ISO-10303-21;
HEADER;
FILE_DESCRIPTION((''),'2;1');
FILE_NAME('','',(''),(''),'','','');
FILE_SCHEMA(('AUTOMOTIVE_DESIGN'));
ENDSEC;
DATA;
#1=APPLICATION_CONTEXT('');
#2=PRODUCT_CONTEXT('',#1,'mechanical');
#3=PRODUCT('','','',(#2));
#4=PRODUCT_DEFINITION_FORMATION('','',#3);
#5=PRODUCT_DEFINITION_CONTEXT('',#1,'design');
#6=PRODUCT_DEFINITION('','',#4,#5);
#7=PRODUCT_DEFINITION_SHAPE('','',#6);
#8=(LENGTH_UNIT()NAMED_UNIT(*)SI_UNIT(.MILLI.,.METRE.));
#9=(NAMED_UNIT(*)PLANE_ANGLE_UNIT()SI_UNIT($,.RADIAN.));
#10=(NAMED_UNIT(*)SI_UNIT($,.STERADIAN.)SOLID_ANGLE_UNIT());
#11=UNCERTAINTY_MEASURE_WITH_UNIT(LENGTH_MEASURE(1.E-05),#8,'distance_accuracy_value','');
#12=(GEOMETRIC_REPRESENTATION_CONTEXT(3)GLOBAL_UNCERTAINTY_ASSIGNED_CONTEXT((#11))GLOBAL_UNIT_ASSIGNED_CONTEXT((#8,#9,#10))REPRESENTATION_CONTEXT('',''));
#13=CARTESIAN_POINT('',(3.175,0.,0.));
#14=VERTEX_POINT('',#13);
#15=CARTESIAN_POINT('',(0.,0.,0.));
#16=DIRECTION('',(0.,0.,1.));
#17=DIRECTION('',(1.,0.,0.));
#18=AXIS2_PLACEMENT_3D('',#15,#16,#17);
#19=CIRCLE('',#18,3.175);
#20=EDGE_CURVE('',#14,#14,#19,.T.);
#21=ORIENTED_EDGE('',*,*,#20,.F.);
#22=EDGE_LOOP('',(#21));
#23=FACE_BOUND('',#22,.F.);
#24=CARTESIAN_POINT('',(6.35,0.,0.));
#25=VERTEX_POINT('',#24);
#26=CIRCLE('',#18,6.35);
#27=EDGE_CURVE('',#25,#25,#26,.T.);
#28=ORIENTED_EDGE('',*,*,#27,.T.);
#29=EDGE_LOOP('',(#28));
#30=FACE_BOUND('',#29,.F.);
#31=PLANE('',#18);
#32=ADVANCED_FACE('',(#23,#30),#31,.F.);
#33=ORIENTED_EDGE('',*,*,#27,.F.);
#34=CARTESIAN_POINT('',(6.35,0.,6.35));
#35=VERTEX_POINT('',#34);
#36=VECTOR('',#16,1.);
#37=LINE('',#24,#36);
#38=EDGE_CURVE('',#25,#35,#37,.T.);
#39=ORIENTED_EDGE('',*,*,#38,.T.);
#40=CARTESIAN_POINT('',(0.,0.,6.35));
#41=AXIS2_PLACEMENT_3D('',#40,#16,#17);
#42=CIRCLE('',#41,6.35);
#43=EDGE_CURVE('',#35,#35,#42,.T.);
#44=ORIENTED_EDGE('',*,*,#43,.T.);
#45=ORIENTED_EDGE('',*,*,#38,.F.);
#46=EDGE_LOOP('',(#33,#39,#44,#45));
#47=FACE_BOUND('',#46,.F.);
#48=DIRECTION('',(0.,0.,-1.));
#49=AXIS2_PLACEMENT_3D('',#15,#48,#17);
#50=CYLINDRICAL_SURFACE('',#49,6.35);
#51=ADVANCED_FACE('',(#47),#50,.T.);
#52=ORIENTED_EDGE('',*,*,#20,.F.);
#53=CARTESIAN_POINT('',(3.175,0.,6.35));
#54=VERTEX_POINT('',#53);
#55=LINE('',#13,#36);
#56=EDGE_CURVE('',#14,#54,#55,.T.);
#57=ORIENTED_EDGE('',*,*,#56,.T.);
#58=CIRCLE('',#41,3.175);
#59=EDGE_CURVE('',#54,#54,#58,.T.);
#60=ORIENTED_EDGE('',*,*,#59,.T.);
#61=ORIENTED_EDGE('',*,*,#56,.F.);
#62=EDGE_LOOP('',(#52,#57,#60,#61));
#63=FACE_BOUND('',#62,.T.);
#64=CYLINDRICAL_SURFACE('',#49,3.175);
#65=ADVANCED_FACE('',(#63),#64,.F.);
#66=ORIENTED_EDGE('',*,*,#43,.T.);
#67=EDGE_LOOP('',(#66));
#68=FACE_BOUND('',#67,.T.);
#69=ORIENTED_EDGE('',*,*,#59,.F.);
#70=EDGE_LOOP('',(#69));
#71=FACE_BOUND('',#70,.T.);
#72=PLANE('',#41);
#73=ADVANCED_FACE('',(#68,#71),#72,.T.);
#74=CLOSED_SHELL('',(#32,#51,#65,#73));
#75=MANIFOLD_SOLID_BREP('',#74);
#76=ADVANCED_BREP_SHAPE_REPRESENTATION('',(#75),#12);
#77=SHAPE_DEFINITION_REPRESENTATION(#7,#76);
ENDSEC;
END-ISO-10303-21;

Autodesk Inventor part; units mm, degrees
ref_plane "YZ Plane" through (0, 0, 0) normal (1, 0, 0) x (0, 1, 0)
ref_plane "XZ Plane" through (0, 0, 0) normal (0, 1, 0) x (-1, 0, 0)
ref_plane "XY Plane" through (0, 0, 0) normal (0, 0, 1) x (1, 0, 0)
sketch "Sketch1" plane through (0, 0, 0) normal (0, 0, 1) x (1, 0, 0)
  circle A0 centre (0, 0) radius 6.35
  circle A1 centre (0, 0) radius 3.175
  dimension "d0" = 12.7
  dimension "d1" = 6.35
extrude "Extrusion1" add sketch "Sketch1" along normal blind 6.35
properties part number "Output Shaft Bushing"
